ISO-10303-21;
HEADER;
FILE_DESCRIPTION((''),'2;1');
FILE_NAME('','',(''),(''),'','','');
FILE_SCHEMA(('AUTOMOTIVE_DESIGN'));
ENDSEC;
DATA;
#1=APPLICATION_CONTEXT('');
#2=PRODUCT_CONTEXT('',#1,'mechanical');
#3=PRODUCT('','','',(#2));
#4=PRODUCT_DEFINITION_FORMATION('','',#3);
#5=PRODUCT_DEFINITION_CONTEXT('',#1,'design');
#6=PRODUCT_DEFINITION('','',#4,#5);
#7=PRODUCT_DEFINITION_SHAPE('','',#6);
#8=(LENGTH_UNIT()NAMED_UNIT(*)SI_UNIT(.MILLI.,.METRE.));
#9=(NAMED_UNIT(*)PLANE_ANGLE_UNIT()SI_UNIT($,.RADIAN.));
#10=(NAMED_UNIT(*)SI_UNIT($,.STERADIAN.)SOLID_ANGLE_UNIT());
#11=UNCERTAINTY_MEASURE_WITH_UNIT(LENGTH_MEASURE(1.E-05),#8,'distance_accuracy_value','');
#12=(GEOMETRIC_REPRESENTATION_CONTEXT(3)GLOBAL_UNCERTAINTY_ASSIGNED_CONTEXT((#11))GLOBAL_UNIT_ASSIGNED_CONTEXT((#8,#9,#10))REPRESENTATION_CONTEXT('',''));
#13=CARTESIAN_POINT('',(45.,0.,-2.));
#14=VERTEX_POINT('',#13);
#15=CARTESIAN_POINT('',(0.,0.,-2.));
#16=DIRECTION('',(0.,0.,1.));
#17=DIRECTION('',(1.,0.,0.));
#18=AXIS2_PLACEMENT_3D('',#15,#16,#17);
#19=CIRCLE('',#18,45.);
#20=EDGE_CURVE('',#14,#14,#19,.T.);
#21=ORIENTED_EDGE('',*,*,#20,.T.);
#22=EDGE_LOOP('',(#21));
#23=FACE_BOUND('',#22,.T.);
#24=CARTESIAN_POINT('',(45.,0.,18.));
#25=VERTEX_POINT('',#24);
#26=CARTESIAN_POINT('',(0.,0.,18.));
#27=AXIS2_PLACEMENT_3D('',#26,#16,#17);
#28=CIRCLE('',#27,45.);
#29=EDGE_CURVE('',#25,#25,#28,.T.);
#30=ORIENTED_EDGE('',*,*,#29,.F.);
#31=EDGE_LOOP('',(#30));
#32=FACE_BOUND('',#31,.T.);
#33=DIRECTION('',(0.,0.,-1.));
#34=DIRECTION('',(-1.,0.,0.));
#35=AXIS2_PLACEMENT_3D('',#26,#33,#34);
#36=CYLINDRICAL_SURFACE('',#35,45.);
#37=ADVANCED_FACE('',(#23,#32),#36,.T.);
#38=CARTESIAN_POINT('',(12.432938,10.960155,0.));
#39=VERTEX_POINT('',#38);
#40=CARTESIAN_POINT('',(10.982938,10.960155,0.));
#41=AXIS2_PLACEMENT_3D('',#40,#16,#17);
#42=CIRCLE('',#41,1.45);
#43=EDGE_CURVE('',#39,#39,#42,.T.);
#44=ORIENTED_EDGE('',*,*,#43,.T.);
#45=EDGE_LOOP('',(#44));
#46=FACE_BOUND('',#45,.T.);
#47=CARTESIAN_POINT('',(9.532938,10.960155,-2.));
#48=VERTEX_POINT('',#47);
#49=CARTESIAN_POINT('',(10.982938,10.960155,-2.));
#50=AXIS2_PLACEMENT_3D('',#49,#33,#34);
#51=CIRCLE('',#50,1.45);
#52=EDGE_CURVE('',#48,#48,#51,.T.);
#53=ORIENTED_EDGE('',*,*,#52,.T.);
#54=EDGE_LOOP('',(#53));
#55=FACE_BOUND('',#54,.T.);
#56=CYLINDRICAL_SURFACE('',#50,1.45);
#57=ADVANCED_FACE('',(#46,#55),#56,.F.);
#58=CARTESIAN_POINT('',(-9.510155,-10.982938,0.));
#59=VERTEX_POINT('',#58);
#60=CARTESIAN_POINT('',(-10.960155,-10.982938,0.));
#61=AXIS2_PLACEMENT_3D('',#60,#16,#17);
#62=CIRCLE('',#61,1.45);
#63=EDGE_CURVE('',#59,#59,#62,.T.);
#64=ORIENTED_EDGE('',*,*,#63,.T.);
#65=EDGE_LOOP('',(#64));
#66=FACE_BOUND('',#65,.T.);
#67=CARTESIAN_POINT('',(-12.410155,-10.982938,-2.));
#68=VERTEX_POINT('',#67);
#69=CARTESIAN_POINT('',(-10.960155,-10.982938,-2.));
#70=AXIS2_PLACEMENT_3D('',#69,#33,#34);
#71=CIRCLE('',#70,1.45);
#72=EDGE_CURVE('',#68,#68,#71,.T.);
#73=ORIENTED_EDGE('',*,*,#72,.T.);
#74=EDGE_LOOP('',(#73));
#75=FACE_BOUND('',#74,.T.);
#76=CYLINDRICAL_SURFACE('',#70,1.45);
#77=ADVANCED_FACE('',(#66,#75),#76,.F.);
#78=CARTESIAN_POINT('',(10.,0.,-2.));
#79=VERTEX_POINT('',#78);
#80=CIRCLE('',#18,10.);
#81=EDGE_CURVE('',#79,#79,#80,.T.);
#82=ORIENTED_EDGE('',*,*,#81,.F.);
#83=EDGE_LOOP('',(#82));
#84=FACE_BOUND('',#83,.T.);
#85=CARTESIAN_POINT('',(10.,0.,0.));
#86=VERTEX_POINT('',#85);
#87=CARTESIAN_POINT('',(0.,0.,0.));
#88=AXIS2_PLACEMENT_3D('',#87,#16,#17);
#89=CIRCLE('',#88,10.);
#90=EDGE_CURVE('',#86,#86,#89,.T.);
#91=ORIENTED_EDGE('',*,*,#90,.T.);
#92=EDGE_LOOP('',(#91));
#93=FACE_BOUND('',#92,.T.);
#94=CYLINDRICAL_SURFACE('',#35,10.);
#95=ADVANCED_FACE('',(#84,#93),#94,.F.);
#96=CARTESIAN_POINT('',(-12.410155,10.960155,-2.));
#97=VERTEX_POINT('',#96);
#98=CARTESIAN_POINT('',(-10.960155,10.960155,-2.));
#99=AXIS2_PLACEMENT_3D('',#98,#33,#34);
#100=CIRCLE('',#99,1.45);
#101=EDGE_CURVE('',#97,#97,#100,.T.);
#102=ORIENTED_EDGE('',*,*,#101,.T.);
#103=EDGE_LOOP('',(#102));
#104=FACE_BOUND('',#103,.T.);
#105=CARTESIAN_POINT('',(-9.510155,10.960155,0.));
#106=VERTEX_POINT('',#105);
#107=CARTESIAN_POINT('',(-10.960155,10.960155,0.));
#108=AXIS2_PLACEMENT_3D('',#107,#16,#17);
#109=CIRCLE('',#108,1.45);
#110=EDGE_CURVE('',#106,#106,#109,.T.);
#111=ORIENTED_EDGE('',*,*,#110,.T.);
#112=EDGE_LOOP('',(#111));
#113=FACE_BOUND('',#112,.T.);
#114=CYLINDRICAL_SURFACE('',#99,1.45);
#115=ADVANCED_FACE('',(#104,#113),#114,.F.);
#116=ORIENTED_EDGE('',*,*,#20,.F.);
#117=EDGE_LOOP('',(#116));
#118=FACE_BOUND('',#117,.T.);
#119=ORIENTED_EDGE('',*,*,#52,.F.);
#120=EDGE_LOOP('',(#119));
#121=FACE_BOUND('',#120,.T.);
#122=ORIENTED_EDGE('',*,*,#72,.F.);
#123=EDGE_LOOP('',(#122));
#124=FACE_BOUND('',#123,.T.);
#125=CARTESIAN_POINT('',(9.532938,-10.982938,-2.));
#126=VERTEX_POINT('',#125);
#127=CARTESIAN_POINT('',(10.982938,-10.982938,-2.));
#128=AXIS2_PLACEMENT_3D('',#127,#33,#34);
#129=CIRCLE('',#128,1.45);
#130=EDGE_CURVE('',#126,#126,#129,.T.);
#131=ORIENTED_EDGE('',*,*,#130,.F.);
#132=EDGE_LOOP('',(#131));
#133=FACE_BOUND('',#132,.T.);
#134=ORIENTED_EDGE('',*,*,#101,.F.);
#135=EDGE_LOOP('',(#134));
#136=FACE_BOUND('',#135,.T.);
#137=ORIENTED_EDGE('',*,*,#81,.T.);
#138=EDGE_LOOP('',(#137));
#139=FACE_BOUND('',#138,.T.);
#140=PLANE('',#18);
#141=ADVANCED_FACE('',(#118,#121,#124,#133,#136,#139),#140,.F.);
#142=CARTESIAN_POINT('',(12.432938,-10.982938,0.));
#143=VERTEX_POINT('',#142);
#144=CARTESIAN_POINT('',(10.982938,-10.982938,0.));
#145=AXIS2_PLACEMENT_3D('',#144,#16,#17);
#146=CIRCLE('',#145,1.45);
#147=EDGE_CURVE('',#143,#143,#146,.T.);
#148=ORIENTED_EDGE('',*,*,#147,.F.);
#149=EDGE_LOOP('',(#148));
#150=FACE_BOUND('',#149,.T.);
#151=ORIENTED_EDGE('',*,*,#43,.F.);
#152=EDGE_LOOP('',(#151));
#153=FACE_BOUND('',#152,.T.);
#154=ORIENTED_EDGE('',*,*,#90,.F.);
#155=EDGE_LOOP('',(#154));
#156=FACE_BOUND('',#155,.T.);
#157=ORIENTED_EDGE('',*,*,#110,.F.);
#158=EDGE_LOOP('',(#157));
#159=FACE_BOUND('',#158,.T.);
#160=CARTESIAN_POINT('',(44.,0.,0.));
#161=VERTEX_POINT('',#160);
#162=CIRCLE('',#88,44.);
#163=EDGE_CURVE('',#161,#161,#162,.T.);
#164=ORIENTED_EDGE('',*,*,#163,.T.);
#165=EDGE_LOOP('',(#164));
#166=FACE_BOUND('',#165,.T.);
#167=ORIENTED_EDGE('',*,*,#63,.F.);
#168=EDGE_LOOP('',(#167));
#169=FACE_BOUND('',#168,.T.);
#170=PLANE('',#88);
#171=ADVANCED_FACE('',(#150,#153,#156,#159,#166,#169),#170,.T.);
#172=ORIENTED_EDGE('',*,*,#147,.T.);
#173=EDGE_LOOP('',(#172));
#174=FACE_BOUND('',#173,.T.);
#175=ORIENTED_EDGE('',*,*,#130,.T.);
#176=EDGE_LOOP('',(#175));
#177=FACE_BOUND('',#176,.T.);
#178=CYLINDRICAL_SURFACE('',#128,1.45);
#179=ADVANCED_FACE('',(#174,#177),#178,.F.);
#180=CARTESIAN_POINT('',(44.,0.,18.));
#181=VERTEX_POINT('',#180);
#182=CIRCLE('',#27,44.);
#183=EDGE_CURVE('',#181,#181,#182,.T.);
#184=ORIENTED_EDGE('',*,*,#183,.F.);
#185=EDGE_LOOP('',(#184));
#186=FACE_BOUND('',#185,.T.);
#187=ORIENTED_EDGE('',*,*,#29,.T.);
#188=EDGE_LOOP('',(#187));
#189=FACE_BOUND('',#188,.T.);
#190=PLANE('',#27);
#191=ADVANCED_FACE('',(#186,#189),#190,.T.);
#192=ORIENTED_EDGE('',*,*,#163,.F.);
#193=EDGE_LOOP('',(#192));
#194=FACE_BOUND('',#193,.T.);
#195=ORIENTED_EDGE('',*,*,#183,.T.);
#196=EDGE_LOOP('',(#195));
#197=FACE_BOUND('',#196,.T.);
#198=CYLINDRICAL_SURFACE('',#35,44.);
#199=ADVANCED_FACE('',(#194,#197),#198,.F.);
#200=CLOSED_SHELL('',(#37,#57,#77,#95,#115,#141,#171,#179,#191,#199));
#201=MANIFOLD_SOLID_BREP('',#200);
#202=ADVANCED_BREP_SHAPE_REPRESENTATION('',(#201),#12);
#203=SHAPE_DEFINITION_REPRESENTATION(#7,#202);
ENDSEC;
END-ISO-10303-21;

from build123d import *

# Parameters (mm, degrees)
SKETCH1_R               = 45
SKETCH1_R_2             = 44
BOSS_EXTRUDE1_DEPTH     = 18
BOSS_EXTRUDE2_START     = -2
SKETCH1_2_R             = 45
SKETCH1_2_R_2           = 44
BOSS_EXTRUDE2_DEPTH     = 2
M3_5X0_6_TAPPED_HOLE1_D = 2.9
CIRPATTERN1_COUNT       = 4
CUT_EXTRUDE1_DEPTH      = 67.708320321
CUT_EXTRUDE1_DEPTH_BACK = 67.708320321
SKETCH2_R               = 10


with BuildPart() as part:
    # Sketch1 → Boss-Extrude1 (new body)
    with BuildSketch(Plane.XY):
        Circle(SKETCH1_R)
        Circle(SKETCH1_R_2, mode=Mode.SUBTRACT)
    extrude(amount=BOSS_EXTRUDE1_DEPTH)

    # Sketch1<2> → Boss-Extrude2 (add)
    # profile 1 of 2: a face of its own
    with BuildSketch(Plane.XY.offset(BOSS_EXTRUDE2_START)):
        Circle(SKETCH1_2_R)
        Circle(SKETCH1_2_R_2, mode=Mode.SUBTRACT)
    # profile 2 of 2: a face of its own
    with BuildSketch(Plane.XY.offset(BOSS_EXTRUDE2_START)):
        Circle(SKETCH1_2_R_2)
    extrude(amount=BOSS_EXTRUDE2_DEPTH)

    # M3.5x0.6 Tapped Hole1 (through all)
    with Locations(Plane(origin=(0, 0, -2), x_dir=(-1, 0, 0), z_dir=(0, 0, -1))):
        with Locations((10.960155108, 10.960155108)):
            m3_5x0_6_tapped_hole1 = Hole(M3_5X0_6_TAPPED_HOLE1_D / 2)

    # CirPattern1: M3.5x0.6 Tapped Hole1 ×4 about axis
    cirpattern1_axis = Axis((0.011391445, -0.011391445, 0), (0, 0, 1))
    for i in range(1, CIRPATTERN1_COUNT):
        add(m3_5x0_6_tapped_hole1.rotate(cirpattern1_axis, i * 360 / CIRPATTERN1_COUNT), mode=Mode.SUBTRACT)

    # Sketch2 → Cut-Extrude1 (cut, two sides: drawn at the far end of the back side and taken through both)
    with BuildSketch(Plane(origin=(0, 0, -2), x_dir=(-1, 0, 0), z_dir=(0, 0, -1)).offset(-CUT_EXTRUDE1_DEPTH_BACK)):
        with Locations(Location((0, 0, 0), (0, 0, 180))):
            Circle(SKETCH2_R)
    extrude(amount=CUT_EXTRUDE1_DEPTH + CUT_EXTRUDE1_DEPTH_BACK, mode=Mode.SUBTRACT)


solid = part.part
